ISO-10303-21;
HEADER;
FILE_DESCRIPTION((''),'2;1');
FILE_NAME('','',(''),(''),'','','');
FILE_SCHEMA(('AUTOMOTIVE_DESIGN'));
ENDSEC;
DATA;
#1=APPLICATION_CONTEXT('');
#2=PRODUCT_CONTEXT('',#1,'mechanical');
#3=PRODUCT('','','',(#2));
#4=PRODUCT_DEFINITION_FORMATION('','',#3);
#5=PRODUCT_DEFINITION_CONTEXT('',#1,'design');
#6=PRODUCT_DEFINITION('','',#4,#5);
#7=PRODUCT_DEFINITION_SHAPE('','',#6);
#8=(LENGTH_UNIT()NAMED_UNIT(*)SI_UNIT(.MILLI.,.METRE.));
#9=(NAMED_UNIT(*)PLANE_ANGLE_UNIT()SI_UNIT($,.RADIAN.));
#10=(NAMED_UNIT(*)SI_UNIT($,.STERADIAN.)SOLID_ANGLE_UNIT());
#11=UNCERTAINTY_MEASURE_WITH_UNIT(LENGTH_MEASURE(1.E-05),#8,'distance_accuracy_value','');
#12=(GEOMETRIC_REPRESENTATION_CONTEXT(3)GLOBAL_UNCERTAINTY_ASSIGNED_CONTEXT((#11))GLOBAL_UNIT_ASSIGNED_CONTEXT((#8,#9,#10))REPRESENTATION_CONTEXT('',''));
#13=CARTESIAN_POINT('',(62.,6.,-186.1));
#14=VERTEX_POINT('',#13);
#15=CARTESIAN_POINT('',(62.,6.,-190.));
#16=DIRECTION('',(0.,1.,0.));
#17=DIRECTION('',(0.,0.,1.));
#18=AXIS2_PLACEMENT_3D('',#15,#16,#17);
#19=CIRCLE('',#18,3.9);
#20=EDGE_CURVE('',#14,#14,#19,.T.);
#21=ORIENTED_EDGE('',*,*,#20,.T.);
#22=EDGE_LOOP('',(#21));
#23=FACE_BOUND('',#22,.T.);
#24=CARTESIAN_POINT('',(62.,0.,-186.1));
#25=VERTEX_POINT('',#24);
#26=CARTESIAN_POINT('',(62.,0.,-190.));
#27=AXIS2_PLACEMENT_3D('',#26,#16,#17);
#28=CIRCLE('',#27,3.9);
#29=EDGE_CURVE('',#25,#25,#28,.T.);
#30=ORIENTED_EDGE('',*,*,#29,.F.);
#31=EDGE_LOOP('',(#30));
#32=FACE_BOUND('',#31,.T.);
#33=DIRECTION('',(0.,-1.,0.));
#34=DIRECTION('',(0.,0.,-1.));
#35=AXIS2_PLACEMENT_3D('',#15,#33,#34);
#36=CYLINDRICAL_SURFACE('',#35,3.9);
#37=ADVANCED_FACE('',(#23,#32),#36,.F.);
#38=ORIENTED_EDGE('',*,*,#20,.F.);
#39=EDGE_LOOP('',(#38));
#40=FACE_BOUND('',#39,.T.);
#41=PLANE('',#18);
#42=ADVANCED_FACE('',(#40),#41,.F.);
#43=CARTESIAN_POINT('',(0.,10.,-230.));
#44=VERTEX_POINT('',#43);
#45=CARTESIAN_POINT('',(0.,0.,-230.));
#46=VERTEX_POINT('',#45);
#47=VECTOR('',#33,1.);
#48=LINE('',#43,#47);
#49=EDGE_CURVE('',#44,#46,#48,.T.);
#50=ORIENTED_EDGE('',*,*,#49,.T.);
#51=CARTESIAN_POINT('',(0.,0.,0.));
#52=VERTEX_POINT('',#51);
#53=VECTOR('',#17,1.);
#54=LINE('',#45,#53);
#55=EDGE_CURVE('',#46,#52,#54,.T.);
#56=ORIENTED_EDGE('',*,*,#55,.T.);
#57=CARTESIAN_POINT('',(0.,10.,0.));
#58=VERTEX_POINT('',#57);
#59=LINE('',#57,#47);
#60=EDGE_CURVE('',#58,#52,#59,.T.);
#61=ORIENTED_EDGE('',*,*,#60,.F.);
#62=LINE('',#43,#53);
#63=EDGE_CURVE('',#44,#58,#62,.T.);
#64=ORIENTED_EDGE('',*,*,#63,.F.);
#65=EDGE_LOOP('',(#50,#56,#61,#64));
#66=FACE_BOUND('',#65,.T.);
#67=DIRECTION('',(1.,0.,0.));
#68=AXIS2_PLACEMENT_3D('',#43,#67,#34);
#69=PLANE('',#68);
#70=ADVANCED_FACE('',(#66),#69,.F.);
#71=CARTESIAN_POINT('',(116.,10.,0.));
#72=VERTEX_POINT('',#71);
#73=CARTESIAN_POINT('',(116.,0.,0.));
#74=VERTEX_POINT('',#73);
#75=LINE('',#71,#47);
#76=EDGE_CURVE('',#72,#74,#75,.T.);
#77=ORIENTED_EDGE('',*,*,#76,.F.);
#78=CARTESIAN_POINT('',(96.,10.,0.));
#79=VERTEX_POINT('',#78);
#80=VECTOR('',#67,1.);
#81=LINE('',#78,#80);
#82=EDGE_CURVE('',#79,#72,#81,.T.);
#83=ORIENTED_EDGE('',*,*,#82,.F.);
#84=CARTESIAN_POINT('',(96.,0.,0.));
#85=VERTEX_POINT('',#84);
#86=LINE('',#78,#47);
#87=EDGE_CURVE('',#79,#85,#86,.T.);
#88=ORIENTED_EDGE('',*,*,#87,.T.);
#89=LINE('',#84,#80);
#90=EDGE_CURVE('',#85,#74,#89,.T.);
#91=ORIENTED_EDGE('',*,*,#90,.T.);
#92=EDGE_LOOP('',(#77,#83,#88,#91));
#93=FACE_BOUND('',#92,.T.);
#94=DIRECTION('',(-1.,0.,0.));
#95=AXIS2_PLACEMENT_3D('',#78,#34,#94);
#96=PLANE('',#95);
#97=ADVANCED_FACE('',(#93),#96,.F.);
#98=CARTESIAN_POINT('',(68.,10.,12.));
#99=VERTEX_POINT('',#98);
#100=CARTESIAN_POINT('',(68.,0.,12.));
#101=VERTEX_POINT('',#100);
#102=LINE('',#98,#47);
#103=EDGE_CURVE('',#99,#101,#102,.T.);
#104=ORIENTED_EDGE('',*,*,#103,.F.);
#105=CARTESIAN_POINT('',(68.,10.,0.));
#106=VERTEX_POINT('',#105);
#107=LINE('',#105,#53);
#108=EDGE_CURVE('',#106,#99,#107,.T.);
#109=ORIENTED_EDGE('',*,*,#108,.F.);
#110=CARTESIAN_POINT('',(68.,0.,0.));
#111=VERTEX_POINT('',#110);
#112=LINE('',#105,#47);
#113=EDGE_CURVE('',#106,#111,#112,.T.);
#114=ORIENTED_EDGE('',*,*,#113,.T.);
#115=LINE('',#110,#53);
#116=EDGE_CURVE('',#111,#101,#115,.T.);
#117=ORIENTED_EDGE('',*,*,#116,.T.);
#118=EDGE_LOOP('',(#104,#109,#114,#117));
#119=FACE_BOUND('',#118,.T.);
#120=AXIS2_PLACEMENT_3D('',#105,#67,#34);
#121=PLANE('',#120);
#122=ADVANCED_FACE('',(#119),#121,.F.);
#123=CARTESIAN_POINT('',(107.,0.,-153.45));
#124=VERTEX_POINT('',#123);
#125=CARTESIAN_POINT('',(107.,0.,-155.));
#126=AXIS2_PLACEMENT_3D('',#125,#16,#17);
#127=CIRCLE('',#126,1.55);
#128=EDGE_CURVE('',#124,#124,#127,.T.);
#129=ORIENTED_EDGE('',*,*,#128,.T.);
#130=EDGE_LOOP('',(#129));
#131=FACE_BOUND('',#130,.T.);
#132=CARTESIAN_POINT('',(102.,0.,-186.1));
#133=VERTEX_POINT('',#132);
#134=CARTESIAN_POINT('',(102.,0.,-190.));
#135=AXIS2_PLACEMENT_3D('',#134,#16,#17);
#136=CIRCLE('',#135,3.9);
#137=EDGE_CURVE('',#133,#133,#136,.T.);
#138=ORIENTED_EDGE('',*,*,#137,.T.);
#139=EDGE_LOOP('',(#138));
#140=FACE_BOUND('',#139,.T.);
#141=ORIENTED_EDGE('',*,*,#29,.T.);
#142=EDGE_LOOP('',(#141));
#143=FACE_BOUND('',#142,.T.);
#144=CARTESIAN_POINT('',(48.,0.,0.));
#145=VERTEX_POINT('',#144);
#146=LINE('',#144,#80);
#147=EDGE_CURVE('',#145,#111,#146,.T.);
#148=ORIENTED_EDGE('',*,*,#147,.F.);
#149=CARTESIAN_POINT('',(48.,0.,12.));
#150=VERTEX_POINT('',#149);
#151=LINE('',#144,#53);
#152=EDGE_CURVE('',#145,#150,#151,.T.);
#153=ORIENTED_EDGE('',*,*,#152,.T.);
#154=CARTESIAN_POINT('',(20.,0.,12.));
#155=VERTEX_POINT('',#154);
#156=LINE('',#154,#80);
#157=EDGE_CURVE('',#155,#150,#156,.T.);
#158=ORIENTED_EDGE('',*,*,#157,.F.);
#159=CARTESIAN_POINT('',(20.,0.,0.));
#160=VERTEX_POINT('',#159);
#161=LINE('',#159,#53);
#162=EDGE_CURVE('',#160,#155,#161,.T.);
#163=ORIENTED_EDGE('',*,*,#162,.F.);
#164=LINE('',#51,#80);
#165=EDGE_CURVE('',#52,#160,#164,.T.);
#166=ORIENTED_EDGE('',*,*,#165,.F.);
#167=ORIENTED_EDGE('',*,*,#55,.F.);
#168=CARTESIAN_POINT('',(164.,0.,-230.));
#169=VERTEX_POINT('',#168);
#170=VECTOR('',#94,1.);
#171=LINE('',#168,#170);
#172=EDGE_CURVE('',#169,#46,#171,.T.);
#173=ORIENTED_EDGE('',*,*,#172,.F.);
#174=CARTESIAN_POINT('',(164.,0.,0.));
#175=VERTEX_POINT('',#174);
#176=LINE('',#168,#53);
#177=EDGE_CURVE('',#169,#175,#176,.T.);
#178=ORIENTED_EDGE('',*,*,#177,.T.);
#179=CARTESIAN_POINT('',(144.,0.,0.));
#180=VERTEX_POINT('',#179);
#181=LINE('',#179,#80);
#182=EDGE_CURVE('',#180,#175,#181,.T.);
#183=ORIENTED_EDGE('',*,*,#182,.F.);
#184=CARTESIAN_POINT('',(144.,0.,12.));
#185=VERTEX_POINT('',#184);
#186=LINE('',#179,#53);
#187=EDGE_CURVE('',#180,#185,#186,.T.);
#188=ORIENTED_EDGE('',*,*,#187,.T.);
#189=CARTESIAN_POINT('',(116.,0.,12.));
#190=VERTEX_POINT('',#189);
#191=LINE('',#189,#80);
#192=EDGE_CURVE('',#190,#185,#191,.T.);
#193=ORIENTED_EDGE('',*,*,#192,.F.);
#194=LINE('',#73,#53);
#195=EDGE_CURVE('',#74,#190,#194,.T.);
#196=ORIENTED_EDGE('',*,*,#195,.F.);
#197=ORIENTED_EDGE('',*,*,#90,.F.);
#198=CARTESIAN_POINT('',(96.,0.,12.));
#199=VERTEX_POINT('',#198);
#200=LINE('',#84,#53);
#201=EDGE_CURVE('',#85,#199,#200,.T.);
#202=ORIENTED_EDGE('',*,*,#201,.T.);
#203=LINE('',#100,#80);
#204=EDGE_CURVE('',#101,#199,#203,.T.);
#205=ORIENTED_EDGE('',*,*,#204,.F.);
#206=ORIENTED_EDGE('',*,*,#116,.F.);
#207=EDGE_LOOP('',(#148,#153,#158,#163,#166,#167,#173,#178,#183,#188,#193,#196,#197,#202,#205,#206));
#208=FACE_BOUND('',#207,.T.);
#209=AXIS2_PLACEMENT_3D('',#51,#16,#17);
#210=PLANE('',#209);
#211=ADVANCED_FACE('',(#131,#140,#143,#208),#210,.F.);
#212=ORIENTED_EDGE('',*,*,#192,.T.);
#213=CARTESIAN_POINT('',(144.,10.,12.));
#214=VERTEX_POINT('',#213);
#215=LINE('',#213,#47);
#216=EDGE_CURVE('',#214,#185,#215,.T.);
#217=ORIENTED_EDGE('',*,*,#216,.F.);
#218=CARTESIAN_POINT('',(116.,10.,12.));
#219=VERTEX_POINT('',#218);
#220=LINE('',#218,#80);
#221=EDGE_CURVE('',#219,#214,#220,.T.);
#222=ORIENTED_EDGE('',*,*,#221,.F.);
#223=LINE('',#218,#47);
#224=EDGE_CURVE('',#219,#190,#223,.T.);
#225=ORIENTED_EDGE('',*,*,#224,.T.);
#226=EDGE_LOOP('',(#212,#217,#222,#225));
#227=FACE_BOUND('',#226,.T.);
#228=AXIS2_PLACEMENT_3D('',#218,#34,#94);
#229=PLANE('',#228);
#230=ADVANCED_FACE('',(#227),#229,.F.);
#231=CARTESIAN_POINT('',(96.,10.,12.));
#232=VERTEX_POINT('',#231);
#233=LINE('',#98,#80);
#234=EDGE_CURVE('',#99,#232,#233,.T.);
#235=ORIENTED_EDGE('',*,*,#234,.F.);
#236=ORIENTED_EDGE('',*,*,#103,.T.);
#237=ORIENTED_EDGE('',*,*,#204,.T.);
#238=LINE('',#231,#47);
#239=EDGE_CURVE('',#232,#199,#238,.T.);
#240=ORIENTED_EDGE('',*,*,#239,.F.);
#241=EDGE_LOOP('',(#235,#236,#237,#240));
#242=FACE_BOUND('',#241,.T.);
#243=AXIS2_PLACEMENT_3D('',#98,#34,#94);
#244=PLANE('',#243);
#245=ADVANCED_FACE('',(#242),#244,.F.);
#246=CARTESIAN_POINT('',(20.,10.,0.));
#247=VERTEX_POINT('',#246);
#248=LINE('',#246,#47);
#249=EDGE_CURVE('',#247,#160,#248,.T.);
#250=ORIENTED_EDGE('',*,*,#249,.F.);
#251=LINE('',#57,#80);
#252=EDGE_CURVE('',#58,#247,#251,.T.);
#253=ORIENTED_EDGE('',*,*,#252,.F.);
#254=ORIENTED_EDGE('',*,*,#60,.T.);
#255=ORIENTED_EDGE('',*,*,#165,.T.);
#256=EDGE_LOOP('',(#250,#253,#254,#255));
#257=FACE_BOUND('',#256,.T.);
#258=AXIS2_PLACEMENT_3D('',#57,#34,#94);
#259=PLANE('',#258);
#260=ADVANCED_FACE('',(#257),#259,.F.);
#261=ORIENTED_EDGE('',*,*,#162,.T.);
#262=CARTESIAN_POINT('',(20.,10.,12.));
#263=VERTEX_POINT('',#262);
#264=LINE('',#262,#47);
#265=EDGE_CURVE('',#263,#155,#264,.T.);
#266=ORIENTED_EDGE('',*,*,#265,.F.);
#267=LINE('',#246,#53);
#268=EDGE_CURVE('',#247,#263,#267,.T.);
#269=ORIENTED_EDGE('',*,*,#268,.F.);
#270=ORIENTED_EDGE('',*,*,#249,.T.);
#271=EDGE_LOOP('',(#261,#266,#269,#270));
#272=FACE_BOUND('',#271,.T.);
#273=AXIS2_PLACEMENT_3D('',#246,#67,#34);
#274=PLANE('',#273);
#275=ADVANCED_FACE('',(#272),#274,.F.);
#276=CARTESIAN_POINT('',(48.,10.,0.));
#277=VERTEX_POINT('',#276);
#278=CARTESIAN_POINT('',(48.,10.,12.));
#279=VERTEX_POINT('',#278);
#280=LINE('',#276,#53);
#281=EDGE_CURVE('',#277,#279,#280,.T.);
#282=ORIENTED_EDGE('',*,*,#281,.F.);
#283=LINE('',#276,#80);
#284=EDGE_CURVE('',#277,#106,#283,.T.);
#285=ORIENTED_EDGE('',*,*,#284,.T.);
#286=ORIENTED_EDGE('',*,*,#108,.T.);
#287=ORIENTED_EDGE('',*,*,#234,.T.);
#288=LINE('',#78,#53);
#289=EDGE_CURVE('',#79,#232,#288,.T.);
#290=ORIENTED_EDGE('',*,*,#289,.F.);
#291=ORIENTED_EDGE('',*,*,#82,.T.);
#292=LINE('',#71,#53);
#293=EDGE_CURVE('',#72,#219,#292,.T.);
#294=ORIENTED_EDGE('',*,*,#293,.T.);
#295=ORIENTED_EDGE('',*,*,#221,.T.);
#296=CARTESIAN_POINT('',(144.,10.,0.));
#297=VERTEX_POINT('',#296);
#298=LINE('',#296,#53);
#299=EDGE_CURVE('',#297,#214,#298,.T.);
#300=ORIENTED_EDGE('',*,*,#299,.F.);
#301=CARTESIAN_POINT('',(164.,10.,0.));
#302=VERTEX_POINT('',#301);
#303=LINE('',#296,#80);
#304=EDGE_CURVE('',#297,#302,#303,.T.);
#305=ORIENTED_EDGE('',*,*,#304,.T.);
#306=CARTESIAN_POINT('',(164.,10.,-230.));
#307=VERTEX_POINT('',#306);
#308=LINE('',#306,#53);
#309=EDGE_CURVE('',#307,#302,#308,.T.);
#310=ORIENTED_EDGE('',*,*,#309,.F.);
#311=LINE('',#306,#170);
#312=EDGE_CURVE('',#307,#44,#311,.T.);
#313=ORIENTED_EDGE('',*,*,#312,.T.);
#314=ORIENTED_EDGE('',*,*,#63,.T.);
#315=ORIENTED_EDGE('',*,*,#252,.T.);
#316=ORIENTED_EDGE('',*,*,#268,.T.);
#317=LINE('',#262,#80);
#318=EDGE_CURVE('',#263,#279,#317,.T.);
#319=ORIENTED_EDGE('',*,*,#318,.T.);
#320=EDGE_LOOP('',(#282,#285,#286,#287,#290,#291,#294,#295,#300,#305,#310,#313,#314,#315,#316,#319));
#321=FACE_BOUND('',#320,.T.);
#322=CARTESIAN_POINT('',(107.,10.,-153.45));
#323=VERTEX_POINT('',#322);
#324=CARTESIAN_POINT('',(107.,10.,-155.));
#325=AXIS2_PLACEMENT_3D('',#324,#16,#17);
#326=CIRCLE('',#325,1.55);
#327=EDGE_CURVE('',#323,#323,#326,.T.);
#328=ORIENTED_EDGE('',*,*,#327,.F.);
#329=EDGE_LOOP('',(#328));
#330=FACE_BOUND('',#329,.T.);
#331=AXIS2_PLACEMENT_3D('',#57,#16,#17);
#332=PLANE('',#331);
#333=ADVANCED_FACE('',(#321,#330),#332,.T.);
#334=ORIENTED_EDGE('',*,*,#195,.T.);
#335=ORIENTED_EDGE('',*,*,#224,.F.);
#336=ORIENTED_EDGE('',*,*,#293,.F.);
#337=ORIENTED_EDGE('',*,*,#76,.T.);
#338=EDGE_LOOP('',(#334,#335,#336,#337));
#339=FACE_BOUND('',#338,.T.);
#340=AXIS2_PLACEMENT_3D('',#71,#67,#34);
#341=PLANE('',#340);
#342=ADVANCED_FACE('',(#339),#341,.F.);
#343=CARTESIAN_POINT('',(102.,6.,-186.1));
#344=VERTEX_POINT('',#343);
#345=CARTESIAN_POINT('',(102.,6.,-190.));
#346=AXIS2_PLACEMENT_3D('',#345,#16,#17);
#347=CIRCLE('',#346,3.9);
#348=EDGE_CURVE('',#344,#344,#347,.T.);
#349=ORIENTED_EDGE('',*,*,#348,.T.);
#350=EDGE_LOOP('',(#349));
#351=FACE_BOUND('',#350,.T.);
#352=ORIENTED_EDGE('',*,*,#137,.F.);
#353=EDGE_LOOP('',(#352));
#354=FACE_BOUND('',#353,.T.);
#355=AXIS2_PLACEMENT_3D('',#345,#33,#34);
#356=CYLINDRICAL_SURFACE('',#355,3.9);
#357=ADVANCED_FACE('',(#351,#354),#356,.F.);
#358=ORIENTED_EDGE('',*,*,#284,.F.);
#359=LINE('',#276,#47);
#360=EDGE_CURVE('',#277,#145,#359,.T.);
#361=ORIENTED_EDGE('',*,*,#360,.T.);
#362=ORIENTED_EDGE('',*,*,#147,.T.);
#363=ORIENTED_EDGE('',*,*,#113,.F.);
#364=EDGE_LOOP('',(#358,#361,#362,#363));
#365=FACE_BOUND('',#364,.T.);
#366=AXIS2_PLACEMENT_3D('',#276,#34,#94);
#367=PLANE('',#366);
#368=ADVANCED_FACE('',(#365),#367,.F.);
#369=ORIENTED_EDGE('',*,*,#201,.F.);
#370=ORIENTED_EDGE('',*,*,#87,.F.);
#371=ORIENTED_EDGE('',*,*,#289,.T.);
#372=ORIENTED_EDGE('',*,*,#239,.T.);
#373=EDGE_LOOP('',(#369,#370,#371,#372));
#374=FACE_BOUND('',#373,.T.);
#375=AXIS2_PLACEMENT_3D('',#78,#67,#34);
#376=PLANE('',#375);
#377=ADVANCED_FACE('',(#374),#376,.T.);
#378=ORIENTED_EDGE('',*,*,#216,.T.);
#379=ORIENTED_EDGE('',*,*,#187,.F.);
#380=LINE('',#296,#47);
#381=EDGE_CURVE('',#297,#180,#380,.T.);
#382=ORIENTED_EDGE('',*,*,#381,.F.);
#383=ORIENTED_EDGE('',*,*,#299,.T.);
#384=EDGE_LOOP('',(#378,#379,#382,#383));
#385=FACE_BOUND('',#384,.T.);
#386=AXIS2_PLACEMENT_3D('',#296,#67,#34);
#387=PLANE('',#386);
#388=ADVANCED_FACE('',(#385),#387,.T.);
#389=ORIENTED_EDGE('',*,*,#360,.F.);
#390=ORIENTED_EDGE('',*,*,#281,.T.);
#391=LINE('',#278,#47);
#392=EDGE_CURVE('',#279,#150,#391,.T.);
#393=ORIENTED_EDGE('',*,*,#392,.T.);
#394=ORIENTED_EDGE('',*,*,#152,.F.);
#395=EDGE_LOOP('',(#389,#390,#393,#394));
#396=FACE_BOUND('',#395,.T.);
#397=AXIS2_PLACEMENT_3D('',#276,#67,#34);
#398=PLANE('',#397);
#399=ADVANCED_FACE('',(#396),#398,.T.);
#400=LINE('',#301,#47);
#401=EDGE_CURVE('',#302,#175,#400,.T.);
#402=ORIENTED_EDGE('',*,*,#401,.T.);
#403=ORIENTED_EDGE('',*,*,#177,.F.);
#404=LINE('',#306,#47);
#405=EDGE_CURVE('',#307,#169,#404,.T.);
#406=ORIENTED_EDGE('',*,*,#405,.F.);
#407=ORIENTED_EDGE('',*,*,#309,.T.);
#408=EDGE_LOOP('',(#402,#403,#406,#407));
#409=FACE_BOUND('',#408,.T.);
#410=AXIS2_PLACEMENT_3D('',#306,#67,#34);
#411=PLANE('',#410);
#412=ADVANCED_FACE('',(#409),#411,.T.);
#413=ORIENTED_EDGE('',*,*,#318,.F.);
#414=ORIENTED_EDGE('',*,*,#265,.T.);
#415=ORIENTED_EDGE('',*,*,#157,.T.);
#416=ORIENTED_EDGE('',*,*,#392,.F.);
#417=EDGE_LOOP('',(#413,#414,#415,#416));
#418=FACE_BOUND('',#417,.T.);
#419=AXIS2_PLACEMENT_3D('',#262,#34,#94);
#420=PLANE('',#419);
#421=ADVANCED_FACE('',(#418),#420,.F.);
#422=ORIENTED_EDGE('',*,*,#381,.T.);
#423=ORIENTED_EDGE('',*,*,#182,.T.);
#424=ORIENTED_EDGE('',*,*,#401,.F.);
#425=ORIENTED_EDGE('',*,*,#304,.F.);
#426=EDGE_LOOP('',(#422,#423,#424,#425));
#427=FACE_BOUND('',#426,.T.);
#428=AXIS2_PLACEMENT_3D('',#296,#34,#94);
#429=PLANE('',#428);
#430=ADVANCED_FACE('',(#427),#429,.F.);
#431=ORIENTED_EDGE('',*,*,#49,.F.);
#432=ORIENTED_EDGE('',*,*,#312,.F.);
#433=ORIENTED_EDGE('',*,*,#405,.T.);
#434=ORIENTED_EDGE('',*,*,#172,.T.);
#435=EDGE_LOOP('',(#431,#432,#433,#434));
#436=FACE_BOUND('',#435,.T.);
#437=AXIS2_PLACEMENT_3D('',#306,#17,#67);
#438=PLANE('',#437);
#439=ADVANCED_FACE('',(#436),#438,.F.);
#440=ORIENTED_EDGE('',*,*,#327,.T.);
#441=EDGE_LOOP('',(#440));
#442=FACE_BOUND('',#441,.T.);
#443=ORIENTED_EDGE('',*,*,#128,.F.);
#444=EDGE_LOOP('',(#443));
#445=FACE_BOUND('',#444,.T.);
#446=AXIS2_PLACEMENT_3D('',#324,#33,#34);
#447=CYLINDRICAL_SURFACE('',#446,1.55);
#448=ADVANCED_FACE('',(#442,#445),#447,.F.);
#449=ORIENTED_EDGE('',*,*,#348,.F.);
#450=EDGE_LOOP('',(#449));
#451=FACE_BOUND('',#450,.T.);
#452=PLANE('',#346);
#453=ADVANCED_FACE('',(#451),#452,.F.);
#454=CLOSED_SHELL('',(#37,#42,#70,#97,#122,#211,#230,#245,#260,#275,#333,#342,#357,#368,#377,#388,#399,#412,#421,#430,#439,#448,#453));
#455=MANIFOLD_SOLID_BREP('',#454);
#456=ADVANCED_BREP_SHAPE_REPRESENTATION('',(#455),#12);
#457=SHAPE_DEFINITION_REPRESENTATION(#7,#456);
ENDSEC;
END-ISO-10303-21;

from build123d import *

# Parameters (mm, degrees)
SALIENTE_EXTRUIR1_DEPTH = 10
CROQUIS1_10_R           = 3.9
CORTAR_EXTRUIR1_DEPTH   = 6
CROQUIS1_11_R           = 1.55
CORTAR_EXTRUIR3_DEPTH   = 283.658804922


with BuildPart() as part:
    # Croquis1 → Saliente-Extruir1 (new body)
    with BuildSketch(Plane(origin=(0, 0, 0), x_dir=(1, 0, 0), z_dir=(0, 1, 0))):
        Polygon((0, 0), (20, 0), (20, -12), (48, -12), (48, 0), (68, 0), (68, -12), (96, -12), (96, 0), (116, 0), (116, -12), (144, -12), (144, 0), (164, 0), (164, 230), (0, 230), align=None)
    extrude(amount=SALIENTE_EXTRUIR1_DEPTH)

    # Croquis1<10> → Cortar-Extruir1 (cut)
    with BuildSketch(Plane(origin=(0, 0, 0), x_dir=(1, 0, 0), z_dir=(0, 1, 0))):
        with Locations((62, 190)):
            Circle(CROQUIS1_10_R)
        with Locations((102, 190)):
            Circle(CROQUIS1_10_R)
    extrude(amount=CORTAR_EXTRUIR1_DEPTH, mode=Mode.SUBTRACT)

    # Croquis1<11> → Cortar-Extruir3 (cut, through all)
    with BuildSketch(Plane(origin=(0, 0, 0), x_dir=(1, 0, 0), z_dir=(0, 1, 0))):
        with Locations((107, 155)):
            Circle(CROQUIS1_11_R)
    extrude(amount=CORTAR_EXTRUIR3_DEPTH, mode=Mode.SUBTRACT)


solid = part.part
